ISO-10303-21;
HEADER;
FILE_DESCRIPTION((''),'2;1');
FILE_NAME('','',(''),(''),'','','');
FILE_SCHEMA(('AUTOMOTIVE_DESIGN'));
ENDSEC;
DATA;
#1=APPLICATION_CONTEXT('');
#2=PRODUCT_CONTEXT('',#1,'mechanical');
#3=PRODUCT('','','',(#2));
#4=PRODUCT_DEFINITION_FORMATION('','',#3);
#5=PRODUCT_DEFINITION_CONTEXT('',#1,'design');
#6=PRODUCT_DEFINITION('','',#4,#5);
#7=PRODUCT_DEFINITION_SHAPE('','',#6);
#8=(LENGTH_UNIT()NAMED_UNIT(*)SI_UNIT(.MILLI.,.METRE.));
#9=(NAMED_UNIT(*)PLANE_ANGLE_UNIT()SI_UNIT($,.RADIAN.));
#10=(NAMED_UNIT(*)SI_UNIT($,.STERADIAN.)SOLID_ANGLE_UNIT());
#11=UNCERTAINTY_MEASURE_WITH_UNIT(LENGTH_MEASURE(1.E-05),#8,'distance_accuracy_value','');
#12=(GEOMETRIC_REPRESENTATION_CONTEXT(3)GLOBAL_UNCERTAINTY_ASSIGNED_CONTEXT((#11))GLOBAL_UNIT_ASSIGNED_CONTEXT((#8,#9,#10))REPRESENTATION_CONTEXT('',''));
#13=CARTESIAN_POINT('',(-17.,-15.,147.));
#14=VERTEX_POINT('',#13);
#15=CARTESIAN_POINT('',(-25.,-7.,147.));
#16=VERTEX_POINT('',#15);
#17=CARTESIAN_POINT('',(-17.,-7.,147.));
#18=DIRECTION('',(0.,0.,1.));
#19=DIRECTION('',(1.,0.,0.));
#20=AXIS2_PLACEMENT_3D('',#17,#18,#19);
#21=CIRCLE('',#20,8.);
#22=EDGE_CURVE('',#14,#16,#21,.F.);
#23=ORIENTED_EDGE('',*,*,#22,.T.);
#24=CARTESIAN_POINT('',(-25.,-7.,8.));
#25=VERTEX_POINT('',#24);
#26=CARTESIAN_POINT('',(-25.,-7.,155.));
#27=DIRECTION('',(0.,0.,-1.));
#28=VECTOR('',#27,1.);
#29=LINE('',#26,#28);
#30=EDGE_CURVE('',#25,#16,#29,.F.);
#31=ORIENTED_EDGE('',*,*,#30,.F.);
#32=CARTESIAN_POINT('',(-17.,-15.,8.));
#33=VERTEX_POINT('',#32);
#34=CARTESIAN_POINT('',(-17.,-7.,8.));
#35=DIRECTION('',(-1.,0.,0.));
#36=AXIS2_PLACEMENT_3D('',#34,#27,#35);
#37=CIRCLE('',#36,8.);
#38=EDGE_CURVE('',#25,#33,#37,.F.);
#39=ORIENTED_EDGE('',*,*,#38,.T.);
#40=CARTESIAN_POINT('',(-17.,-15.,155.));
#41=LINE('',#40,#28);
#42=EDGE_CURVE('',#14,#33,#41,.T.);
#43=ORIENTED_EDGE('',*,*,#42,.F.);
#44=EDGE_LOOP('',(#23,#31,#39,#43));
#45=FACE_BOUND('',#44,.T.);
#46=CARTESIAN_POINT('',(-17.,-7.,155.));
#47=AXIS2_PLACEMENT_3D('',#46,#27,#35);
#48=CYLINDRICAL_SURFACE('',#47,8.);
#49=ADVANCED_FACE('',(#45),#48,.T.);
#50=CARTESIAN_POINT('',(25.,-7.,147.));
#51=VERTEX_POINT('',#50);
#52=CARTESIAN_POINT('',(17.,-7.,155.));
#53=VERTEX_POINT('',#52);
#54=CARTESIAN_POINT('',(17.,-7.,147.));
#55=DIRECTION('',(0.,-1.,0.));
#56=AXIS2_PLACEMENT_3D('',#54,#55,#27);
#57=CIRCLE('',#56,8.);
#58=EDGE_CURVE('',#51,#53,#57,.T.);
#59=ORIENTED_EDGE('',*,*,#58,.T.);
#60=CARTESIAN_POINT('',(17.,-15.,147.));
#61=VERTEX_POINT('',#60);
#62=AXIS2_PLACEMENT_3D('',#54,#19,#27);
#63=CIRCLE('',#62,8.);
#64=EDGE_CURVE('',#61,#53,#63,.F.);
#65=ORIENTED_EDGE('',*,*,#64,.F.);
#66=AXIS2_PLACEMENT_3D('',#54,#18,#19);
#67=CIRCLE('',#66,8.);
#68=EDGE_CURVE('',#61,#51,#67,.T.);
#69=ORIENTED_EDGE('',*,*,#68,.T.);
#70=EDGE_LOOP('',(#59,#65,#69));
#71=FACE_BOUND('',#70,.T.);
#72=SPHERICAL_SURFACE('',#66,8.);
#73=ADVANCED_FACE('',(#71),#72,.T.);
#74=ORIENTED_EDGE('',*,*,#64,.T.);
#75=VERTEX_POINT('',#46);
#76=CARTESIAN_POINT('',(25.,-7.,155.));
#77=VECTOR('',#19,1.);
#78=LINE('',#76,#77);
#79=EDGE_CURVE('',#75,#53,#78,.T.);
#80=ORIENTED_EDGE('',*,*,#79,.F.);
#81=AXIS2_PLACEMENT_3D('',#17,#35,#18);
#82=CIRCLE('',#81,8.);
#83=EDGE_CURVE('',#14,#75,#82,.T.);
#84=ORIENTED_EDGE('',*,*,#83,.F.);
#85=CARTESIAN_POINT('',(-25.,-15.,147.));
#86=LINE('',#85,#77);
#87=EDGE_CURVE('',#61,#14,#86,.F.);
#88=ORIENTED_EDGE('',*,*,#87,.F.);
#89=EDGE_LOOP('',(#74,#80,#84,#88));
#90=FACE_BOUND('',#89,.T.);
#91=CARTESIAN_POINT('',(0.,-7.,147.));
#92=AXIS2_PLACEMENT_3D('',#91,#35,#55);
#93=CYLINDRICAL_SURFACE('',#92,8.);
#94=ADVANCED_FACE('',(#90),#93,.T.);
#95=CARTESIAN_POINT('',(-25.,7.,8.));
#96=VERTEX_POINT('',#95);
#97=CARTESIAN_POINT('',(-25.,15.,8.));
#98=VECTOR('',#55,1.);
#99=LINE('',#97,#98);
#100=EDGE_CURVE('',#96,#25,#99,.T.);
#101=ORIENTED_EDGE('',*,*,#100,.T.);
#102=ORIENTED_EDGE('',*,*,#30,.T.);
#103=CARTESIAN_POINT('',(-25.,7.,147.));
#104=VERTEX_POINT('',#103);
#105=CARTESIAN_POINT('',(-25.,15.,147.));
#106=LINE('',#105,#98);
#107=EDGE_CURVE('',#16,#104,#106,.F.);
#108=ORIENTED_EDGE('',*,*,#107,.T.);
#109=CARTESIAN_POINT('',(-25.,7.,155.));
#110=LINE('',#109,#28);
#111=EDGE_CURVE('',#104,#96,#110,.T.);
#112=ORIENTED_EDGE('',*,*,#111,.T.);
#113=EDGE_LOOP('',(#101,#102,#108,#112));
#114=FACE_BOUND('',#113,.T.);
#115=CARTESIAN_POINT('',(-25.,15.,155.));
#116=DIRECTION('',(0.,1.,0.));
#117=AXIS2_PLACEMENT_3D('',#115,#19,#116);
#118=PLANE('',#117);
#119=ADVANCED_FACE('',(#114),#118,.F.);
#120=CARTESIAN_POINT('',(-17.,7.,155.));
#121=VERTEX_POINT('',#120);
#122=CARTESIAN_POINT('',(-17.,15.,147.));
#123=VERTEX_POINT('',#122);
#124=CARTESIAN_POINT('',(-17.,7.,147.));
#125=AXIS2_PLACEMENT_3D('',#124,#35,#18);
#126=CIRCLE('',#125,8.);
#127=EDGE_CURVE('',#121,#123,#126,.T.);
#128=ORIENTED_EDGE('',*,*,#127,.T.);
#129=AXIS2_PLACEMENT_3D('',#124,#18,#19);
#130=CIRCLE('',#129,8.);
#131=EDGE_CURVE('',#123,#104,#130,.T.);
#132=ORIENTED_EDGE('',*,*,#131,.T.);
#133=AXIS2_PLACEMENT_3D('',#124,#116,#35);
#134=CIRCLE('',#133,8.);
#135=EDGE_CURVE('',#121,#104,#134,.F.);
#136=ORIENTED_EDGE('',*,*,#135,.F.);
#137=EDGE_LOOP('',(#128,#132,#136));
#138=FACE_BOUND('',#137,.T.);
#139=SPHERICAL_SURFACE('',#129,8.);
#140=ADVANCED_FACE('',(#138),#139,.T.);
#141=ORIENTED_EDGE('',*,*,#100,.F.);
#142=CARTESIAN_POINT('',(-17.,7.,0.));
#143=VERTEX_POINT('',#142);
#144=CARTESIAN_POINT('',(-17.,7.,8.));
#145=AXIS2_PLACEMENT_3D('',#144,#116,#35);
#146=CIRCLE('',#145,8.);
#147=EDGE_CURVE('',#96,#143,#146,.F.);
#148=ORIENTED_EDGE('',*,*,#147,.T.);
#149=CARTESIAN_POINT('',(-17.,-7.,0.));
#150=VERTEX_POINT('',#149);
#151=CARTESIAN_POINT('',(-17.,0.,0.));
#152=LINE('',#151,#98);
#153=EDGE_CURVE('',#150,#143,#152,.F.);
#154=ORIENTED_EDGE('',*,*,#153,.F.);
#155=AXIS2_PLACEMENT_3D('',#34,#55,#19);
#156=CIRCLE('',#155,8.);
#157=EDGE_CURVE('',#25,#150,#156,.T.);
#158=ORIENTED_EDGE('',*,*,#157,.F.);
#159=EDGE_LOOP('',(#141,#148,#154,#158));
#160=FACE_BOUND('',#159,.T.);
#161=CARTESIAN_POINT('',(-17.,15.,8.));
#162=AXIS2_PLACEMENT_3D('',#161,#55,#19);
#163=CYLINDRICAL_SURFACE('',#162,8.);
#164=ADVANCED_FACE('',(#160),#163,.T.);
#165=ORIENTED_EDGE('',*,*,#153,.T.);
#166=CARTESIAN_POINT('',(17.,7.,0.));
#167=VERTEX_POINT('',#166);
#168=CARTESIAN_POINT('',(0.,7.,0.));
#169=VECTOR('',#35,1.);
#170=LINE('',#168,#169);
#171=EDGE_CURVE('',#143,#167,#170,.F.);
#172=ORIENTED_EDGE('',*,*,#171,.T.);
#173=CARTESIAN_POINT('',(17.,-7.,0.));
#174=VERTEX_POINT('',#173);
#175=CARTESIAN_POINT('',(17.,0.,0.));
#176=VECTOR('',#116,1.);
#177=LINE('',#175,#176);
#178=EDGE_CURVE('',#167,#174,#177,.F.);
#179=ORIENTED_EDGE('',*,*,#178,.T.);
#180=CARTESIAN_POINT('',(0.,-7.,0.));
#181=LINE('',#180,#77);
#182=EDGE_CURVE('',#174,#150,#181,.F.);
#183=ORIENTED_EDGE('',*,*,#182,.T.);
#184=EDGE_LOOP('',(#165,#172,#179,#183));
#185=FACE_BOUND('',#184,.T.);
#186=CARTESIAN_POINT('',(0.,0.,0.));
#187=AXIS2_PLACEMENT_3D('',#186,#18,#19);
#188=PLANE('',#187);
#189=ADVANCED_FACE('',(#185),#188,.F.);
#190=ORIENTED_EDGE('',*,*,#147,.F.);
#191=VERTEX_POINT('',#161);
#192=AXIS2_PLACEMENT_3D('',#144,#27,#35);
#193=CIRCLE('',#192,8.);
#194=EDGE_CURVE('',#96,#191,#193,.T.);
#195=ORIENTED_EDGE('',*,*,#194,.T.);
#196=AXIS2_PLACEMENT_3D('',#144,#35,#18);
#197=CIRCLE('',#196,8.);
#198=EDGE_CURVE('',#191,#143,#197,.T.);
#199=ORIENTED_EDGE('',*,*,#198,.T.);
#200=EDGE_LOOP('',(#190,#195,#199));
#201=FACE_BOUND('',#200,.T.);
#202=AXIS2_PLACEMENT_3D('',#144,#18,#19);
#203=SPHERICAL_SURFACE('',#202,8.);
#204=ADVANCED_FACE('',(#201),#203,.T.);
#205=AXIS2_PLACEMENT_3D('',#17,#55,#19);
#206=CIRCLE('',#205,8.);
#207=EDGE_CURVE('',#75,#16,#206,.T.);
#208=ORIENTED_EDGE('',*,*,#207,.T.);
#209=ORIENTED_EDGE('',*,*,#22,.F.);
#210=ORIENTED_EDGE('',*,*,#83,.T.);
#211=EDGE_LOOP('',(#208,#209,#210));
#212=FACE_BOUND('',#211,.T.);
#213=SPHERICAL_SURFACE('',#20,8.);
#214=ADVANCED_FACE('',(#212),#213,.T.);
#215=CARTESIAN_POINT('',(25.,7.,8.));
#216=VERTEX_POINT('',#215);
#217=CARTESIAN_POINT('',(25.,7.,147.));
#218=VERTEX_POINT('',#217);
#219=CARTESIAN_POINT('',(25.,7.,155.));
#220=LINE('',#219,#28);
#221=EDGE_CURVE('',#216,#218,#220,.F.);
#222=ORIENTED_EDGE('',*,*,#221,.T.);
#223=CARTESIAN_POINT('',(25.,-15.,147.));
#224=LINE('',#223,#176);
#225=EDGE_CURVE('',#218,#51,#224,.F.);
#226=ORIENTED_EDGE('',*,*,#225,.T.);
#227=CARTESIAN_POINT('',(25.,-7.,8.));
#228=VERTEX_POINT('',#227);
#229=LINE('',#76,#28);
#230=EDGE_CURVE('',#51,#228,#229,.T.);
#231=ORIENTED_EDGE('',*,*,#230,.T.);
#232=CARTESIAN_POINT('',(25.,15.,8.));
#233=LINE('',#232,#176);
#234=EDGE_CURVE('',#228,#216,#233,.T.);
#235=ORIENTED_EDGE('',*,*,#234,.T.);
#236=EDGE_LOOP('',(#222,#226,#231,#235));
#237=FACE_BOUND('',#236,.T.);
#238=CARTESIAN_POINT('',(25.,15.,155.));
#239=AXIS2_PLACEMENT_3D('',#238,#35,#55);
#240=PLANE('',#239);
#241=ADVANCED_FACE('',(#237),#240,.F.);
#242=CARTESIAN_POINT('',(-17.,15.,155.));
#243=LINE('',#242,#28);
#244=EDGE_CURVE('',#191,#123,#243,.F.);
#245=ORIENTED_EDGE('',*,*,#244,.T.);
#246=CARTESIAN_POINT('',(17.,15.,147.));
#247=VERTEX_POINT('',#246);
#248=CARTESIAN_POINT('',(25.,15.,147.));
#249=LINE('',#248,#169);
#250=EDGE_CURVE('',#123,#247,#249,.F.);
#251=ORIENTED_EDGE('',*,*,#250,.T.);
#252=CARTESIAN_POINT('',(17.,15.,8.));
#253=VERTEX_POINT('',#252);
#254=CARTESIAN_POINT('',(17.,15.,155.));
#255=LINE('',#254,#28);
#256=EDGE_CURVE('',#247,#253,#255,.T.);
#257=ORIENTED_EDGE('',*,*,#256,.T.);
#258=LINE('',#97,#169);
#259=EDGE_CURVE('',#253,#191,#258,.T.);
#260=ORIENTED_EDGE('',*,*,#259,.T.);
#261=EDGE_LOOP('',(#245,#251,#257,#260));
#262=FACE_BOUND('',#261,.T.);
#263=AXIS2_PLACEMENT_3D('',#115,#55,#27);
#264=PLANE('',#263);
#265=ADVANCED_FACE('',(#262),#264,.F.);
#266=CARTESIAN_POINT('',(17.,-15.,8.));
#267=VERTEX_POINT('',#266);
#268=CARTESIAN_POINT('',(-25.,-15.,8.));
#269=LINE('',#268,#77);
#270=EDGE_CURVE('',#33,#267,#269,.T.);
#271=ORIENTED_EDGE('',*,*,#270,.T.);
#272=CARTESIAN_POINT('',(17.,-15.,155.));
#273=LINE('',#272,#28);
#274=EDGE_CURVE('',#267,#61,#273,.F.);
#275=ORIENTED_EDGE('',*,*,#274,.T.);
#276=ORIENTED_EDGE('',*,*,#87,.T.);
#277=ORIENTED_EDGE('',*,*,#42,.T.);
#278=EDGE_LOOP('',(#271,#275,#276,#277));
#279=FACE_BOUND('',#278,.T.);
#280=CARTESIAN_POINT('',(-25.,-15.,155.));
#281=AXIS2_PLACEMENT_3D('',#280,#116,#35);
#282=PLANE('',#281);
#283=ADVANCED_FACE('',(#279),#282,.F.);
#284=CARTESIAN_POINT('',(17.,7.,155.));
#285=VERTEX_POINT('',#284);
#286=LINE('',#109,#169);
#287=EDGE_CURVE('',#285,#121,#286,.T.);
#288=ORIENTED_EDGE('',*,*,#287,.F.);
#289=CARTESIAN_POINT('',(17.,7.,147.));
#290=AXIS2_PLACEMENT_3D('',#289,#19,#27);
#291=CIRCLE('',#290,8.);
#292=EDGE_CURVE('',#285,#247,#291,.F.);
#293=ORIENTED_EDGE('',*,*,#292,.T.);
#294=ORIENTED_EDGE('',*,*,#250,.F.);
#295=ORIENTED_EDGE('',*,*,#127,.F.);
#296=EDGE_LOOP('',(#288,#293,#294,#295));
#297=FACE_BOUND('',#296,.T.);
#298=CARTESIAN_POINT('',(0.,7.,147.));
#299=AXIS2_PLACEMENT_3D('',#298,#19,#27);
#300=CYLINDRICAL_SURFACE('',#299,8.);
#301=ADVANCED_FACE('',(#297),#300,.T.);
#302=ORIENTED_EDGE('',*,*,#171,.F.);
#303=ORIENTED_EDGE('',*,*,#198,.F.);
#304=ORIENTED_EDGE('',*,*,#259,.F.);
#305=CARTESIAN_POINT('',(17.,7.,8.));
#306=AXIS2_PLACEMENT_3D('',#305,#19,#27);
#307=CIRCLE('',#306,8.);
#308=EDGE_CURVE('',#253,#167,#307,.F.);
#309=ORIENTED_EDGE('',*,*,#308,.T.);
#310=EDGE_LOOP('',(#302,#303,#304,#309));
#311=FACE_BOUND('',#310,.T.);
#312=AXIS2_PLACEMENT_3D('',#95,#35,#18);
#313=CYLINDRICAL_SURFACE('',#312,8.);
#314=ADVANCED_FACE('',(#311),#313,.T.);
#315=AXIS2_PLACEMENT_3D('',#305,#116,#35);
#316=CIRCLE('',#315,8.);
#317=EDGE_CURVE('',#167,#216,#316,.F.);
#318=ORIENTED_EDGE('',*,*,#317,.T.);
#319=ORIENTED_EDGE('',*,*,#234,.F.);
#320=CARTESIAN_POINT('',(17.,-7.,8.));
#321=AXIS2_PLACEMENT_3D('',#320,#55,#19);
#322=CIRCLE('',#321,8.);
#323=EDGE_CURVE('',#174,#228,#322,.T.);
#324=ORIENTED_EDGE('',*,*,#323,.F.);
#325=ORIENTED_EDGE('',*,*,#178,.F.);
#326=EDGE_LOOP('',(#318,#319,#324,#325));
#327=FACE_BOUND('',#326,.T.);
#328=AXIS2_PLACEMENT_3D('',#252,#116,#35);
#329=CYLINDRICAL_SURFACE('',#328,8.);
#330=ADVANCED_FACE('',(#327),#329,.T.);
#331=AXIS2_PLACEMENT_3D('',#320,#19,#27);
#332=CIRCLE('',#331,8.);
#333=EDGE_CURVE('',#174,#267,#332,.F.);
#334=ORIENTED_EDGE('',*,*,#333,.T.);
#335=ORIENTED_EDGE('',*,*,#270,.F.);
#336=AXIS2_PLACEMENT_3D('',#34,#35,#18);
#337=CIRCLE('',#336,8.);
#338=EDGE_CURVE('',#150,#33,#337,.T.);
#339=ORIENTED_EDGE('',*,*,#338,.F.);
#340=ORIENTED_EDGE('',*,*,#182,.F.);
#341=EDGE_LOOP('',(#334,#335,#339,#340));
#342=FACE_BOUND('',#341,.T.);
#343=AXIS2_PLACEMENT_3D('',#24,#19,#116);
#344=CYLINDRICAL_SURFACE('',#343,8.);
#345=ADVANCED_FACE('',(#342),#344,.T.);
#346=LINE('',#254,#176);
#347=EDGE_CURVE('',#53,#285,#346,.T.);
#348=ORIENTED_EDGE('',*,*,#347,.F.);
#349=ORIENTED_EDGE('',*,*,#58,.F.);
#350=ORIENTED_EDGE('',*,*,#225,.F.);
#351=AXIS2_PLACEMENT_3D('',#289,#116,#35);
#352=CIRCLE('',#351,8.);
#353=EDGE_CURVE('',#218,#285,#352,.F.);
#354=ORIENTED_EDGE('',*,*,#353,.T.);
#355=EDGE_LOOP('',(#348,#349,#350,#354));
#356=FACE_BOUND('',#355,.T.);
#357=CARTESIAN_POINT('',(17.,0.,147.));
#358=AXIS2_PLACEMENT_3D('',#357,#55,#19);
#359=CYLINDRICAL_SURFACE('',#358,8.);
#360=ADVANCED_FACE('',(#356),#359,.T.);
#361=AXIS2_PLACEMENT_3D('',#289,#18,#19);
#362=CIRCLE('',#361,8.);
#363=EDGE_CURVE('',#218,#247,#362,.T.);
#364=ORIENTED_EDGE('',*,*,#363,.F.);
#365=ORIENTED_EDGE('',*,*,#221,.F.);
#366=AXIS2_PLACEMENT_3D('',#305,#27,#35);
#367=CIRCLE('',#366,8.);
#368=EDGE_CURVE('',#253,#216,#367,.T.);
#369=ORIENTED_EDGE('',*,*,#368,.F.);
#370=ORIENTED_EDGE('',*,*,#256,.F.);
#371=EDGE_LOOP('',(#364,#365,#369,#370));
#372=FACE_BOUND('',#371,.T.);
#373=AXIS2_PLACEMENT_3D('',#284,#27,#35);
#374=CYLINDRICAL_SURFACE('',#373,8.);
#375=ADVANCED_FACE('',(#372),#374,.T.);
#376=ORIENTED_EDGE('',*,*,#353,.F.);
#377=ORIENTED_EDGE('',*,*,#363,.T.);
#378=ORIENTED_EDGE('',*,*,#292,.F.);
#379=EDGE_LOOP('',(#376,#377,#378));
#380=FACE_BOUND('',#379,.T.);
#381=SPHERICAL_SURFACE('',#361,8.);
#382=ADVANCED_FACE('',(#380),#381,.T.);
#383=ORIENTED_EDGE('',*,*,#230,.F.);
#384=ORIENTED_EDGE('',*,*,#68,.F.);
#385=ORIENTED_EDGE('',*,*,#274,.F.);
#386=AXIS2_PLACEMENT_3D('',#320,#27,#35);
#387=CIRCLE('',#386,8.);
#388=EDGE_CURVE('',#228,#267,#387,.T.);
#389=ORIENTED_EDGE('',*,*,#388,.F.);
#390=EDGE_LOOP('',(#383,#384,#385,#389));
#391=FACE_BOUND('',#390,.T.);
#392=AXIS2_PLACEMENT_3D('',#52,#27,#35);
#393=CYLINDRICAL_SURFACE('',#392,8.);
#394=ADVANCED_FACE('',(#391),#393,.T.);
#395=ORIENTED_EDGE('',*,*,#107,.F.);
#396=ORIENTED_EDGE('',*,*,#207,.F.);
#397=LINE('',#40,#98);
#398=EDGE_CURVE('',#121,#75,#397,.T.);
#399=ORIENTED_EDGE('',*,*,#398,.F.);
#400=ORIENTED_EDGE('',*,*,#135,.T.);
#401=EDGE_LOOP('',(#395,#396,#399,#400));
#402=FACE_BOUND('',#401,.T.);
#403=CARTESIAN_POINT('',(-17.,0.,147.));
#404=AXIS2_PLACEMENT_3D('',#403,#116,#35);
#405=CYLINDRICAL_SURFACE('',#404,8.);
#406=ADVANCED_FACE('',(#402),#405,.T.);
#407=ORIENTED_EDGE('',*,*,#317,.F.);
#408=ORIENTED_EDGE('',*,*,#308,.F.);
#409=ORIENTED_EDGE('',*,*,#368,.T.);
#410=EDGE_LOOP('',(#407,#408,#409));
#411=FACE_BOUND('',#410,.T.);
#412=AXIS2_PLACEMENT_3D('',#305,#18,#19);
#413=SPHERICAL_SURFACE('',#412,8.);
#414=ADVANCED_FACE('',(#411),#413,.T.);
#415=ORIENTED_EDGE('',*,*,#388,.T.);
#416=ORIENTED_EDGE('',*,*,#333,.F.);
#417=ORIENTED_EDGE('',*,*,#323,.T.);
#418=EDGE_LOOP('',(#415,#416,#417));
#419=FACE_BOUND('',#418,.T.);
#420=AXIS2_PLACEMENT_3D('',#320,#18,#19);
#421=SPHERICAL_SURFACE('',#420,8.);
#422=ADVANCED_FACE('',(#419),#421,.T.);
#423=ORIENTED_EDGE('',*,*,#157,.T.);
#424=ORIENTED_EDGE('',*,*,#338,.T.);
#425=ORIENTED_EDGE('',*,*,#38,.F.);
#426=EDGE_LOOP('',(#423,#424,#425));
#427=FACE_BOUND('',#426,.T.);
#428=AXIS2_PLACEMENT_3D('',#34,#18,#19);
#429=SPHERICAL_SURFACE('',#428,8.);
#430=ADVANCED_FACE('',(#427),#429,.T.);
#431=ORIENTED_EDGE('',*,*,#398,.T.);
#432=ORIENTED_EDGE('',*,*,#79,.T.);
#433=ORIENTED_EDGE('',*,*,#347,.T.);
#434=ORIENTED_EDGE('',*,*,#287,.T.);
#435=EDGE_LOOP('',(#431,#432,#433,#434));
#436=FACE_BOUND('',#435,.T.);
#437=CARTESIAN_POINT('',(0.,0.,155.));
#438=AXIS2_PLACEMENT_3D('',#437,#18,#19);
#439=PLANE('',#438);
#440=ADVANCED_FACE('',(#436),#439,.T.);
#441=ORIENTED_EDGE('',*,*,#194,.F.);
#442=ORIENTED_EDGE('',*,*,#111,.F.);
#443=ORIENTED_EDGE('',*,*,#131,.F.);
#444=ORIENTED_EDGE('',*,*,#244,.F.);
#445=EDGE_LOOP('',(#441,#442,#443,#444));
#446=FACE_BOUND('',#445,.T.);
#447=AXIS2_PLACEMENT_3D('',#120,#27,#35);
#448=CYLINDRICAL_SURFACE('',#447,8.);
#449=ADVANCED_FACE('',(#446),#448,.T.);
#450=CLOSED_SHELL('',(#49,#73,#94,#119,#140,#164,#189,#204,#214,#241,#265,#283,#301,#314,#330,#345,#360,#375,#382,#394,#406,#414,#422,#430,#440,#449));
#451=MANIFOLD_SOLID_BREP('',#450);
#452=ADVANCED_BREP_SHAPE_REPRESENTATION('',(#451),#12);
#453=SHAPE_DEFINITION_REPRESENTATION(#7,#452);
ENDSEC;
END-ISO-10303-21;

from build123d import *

# Parameters (mm, degrees)
ESQUISSE1_W        = 50
ESQUISSE1_H        = 30
BOSS_EXTRU_1_DEPTH = 155
CONG_1_R           = 8


with BuildPart() as part:
    # Esquisse1 → Boss.-Extru.1 (new body)
    with BuildSketch(Plane.XY):
        Rectangle(ESQUISSE1_W, ESQUISSE1_H)
    extrude(amount=BOSS_EXTRU_1_DEPTH)

    # Congé1
    cong_1_edges = [part.edges().sort_by_distance(p)[0] for p in [
        (25, 0, 155),
        (0, 15, 155),
        (-25, 0, 155),
        (0, 15, 0),
        (25, 0, 0),
        (0, -15, 0),
        (-25, 0, 0),
        (0, -15, 155),
        (-25, 15, 77.5),
        (25, 15, 77.5),
        (25, -15, 77.5),
        (-25, -15, 77.5),
    ]]
    fillet(cong_1_edges, radius=CONG_1_R)


solid = part.part
